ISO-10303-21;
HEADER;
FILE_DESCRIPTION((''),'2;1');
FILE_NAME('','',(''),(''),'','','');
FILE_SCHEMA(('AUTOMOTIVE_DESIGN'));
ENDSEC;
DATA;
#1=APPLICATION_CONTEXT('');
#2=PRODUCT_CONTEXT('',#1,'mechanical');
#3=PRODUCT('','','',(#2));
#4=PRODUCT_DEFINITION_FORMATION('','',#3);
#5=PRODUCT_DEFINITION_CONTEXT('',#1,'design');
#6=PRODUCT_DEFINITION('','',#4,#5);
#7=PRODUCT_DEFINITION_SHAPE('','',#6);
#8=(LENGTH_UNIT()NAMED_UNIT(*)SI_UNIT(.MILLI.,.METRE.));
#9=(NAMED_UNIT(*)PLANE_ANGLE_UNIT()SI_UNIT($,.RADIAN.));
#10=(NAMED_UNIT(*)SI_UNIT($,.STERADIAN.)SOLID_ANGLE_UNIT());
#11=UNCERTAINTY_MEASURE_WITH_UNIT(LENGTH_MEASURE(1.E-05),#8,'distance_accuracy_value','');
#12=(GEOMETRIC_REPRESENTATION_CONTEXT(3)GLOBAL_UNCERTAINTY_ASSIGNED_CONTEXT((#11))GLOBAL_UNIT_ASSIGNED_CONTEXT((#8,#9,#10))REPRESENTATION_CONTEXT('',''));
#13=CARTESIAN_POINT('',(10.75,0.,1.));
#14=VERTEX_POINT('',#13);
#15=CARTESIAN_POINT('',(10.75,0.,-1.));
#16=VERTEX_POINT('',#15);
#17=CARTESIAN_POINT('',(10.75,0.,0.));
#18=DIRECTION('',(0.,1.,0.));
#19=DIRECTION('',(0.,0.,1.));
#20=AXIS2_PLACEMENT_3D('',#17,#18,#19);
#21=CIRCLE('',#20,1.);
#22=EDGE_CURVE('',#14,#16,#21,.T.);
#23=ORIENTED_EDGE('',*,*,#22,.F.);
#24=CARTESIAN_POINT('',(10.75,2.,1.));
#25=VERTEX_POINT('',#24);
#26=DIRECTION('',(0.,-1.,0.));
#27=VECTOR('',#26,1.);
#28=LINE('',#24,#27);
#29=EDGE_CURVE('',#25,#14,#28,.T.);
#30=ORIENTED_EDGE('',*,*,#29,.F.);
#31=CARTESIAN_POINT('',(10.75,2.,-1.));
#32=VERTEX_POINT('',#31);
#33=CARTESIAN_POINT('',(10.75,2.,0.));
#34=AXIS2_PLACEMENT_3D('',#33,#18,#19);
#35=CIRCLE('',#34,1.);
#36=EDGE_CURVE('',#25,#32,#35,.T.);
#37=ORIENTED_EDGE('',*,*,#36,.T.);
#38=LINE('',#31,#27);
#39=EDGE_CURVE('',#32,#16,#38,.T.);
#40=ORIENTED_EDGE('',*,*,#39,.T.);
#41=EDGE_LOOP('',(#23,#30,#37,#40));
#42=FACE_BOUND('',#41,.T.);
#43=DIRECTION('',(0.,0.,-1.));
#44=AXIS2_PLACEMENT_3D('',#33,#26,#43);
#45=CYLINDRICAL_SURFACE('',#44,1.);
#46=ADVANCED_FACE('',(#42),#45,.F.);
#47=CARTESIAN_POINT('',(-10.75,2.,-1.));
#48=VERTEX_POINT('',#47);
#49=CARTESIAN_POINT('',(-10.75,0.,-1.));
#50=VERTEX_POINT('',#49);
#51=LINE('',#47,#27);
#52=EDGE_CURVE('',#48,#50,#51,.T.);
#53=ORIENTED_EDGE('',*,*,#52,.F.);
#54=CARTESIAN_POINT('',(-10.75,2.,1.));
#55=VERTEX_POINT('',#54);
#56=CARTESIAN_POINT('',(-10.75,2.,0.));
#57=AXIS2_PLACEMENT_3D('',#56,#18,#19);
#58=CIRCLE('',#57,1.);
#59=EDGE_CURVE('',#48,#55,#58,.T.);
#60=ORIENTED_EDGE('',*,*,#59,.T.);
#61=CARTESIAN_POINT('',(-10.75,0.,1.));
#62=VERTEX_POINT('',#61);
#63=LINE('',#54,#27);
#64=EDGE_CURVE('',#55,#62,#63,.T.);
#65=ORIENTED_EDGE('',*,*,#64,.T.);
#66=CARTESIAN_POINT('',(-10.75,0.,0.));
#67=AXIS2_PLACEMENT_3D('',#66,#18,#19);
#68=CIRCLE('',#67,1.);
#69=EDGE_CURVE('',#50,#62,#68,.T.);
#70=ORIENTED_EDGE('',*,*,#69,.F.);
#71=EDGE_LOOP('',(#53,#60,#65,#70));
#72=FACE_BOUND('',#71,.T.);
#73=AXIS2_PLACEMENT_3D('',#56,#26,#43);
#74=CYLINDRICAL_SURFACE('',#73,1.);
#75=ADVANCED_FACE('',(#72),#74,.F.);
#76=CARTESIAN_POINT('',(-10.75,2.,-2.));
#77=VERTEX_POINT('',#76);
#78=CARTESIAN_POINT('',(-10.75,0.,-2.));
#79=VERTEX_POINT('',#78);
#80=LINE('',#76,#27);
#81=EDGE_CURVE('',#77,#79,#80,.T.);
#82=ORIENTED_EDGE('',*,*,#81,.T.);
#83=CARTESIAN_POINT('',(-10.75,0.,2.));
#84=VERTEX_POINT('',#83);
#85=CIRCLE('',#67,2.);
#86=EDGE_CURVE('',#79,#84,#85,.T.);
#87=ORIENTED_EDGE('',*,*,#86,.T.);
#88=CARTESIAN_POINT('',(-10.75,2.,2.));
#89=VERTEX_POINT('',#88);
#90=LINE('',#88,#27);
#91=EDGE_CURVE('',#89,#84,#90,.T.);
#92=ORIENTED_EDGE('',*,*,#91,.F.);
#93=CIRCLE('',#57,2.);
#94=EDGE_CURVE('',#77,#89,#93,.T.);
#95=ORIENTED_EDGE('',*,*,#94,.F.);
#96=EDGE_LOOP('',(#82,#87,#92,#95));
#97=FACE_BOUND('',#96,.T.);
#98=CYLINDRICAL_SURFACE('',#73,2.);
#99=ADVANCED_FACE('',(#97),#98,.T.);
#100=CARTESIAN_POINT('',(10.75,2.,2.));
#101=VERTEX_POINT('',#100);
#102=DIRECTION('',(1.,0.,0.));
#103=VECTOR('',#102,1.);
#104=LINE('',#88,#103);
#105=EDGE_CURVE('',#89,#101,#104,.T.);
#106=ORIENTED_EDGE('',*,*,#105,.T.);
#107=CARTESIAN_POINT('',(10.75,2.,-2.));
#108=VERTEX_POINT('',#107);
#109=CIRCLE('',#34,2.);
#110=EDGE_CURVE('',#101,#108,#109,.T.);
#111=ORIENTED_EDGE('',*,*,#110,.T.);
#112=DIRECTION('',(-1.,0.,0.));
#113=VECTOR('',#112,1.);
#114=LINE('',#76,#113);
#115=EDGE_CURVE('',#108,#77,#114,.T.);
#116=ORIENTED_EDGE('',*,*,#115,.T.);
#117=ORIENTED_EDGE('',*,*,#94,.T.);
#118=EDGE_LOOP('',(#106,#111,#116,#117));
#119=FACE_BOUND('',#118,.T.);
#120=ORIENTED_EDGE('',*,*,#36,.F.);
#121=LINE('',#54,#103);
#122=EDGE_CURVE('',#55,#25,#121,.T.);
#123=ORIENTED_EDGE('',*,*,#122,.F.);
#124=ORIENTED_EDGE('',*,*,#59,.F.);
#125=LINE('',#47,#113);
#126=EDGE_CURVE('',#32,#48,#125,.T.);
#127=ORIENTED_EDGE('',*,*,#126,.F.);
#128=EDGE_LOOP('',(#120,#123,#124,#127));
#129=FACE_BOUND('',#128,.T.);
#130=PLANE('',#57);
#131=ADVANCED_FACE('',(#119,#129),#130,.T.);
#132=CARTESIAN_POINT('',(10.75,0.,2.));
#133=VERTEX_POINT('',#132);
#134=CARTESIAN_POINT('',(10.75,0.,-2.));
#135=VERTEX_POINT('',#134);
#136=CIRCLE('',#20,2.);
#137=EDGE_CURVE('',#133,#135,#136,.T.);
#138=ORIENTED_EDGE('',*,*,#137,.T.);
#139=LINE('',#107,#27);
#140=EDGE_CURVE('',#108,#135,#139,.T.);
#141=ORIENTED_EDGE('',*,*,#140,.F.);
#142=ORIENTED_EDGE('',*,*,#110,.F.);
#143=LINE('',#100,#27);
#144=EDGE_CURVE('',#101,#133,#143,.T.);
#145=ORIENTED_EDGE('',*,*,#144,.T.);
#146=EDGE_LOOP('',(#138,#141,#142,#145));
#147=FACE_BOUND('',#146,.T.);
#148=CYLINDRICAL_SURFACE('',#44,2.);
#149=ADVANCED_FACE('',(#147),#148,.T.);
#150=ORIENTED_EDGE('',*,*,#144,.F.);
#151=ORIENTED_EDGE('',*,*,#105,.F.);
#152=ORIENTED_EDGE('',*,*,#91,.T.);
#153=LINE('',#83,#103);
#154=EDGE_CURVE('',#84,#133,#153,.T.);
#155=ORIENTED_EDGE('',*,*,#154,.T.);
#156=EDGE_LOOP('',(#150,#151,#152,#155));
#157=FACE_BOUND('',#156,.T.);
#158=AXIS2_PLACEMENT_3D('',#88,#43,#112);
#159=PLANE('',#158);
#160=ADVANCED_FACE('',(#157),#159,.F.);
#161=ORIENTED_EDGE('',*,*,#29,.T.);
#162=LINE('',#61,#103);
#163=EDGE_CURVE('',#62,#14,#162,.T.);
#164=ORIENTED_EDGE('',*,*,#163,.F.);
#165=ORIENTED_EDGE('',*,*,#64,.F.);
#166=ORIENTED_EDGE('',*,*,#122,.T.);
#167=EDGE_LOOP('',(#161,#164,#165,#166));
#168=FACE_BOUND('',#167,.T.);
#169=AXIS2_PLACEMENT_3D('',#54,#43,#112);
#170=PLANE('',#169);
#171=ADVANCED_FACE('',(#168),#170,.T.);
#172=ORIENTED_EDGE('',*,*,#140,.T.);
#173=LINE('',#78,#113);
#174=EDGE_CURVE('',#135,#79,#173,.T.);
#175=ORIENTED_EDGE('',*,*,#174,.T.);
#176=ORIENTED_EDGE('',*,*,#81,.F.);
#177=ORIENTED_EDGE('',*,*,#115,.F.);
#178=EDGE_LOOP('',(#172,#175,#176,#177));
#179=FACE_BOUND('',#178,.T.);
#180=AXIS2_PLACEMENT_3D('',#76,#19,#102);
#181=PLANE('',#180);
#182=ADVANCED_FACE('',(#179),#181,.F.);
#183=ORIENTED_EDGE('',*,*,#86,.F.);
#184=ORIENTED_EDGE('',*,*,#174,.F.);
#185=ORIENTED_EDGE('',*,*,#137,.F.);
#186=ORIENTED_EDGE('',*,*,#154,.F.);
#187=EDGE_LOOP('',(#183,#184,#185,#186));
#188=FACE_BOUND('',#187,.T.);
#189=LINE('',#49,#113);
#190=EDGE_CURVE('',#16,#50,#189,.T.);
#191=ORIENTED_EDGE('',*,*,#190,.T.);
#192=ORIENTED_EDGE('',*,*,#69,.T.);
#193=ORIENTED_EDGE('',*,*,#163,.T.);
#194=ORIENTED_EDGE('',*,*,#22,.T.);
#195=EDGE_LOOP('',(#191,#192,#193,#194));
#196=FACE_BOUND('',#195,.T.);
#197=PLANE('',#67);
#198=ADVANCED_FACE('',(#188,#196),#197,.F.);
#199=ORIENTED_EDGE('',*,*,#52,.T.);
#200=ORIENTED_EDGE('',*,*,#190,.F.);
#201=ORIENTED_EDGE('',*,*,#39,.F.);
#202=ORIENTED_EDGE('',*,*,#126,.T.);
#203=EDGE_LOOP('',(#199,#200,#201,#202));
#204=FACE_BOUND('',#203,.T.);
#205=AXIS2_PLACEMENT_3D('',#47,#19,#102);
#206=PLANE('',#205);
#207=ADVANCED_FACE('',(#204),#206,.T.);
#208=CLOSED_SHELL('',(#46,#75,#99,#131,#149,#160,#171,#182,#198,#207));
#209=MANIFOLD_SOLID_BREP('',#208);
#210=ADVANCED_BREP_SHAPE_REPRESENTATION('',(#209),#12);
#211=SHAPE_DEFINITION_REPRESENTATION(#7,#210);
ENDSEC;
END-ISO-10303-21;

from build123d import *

# Parameters (mm, degrees)
EXTRUDE_1_DEPTH = 2


with BuildPart() as part:
    # 草图1 → 凸台-拉伸1 (new body)
    with BuildSketch(Plane(origin=(0, 0, 0), x_dir=(1, 0, 0), z_dir=(0, 1, 0))):
        with BuildLine():
            Line((-10.75, 2), (10.75, 2))
            ThreePointArc((10.75, 2), (12.75, 0), (10.75, -2))
            Line((10.75, -2), (-10.75, -2))
            ThreePointArc((-10.75, -2), (-12.75, 0), (-10.75, 2))
        make_face()
        with BuildLine():
            Line((-10.75, 1), (10.75, 1))
            ThreePointArc((10.75, 1), (11.75, 0), (10.75, -1))
            Line((10.75, -1), (-10.75, -1))
            ThreePointArc((-10.75, -1), (-11.75, 0), (-10.75, 1))
        make_face(mode=Mode.SUBTRACT)
    extrude(amount=EXTRUDE_1_DEPTH)


solid = part.part
